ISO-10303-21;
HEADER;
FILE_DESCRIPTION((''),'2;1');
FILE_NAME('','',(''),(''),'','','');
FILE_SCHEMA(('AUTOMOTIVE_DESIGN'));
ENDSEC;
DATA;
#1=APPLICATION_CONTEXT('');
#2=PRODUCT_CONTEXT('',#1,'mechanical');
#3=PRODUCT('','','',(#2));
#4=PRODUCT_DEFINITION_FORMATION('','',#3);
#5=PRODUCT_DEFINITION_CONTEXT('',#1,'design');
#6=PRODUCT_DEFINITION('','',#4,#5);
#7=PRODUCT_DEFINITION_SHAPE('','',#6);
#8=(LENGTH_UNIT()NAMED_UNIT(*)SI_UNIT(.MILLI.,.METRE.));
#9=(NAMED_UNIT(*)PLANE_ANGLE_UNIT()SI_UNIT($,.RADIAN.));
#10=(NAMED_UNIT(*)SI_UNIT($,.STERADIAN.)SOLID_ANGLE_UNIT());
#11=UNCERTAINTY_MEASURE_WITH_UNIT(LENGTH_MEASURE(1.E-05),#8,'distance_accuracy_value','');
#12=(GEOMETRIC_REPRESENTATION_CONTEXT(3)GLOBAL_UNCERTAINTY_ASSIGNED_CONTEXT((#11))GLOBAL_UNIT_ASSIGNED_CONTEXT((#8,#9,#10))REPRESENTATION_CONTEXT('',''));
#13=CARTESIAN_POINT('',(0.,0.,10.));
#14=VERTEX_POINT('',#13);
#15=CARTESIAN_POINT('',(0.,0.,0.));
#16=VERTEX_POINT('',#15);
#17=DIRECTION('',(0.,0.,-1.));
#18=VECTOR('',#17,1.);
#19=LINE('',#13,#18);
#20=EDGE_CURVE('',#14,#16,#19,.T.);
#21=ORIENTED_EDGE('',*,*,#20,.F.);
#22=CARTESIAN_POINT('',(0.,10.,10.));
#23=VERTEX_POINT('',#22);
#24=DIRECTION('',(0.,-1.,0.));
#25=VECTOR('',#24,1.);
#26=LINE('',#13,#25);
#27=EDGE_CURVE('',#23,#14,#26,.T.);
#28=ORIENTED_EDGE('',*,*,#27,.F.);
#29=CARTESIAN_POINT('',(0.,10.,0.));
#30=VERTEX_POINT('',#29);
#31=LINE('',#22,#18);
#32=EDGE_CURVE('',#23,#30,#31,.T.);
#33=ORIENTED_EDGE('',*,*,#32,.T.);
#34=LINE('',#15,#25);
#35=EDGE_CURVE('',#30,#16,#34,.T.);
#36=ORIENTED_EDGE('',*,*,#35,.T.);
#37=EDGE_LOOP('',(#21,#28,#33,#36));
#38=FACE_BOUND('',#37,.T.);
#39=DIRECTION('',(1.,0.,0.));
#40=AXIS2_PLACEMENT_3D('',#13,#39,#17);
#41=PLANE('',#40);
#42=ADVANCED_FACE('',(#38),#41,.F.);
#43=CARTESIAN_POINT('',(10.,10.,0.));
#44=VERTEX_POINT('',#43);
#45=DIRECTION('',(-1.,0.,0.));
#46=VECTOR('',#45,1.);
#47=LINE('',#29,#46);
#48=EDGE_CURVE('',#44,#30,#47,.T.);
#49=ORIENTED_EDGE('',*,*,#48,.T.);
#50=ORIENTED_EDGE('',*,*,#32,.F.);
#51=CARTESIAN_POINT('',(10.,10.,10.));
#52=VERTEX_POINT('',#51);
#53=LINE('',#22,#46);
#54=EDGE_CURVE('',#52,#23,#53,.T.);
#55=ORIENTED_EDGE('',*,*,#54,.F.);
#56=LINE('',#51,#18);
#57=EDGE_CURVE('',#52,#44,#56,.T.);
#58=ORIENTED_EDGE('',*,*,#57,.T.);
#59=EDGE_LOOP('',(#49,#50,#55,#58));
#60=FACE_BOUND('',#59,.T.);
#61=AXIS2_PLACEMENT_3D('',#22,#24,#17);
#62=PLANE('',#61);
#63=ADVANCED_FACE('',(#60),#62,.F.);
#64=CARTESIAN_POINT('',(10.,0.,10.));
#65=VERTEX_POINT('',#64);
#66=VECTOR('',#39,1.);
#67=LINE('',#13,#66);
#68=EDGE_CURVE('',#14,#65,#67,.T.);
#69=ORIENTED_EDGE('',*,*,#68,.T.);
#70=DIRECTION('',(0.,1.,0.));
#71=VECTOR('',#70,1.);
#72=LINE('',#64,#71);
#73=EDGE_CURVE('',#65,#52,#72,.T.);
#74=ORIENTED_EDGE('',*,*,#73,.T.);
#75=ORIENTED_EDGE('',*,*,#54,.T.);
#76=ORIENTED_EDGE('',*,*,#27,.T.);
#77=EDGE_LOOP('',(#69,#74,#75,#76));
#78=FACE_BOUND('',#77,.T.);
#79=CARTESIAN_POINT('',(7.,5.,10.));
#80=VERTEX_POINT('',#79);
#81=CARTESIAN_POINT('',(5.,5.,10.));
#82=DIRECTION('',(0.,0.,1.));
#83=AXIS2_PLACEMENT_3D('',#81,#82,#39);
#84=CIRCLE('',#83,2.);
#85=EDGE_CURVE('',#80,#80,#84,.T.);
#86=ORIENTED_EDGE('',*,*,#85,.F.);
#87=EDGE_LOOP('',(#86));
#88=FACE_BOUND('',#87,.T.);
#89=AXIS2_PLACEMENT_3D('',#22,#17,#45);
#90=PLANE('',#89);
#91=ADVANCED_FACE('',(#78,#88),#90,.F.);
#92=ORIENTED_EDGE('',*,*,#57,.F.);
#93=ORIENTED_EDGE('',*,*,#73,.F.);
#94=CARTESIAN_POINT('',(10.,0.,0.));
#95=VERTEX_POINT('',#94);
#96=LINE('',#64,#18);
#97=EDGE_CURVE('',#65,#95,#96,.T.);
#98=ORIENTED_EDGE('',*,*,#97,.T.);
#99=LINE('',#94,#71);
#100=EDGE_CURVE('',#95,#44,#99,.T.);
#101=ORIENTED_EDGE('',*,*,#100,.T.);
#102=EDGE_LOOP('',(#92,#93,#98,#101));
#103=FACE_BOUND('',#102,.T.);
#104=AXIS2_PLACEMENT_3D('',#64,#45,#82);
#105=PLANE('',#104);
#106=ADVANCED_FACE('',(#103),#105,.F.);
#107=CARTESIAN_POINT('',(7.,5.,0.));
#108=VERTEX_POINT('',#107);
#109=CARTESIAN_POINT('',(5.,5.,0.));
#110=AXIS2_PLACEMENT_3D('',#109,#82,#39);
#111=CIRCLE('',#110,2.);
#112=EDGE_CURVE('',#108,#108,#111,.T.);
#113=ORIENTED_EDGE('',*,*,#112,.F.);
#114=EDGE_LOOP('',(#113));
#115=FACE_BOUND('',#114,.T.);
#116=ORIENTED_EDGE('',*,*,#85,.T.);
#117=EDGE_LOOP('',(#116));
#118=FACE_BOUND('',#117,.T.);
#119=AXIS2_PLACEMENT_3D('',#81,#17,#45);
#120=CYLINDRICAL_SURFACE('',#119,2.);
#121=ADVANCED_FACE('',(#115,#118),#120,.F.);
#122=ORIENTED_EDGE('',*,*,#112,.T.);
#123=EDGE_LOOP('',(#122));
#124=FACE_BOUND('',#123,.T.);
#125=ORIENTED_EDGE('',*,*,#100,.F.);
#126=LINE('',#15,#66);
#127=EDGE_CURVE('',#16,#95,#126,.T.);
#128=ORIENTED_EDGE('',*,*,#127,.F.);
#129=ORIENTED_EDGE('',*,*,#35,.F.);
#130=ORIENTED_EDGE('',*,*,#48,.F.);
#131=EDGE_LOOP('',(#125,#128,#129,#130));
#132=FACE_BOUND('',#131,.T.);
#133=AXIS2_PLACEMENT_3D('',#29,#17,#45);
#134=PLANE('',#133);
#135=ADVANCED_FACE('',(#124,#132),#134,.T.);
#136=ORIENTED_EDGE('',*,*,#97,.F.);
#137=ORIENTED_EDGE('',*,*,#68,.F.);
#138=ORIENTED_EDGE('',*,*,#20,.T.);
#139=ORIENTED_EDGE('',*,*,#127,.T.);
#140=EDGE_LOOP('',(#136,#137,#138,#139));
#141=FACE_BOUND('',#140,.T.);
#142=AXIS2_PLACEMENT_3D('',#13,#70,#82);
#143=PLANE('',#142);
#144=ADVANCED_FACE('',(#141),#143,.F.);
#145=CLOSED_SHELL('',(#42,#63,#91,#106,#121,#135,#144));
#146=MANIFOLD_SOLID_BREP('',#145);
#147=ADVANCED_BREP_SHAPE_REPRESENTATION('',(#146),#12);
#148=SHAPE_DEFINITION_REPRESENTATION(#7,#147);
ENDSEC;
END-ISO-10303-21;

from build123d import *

# Parameters (mm, degrees)
SKETCH1_W           = 10
SKETCH1_H           = 10
BOSS_EXTRUDE1_DEPTH = 10
SKETCH2_R           = 2
CUT_EXTRUDE1_DEPTH  = 18.320508076


with BuildPart() as part:
    # Sketch1 → Boss-Extrude1 (new body)
    with BuildSketch(Plane.XY):
        with Locations((5, 5)):
            Rectangle(SKETCH1_W, SKETCH1_H)
    extrude(amount=BOSS_EXTRUDE1_DEPTH)

    # Sketch2 → Cut-Extrude1 (cut, through all)
    with BuildSketch(Plane.XY):
        with Locations((5, 5)):
            Circle(SKETCH2_R)
    extrude(amount=CUT_EXTRUDE1_DEPTH, mode=Mode.SUBTRACT)


solid = part.part
